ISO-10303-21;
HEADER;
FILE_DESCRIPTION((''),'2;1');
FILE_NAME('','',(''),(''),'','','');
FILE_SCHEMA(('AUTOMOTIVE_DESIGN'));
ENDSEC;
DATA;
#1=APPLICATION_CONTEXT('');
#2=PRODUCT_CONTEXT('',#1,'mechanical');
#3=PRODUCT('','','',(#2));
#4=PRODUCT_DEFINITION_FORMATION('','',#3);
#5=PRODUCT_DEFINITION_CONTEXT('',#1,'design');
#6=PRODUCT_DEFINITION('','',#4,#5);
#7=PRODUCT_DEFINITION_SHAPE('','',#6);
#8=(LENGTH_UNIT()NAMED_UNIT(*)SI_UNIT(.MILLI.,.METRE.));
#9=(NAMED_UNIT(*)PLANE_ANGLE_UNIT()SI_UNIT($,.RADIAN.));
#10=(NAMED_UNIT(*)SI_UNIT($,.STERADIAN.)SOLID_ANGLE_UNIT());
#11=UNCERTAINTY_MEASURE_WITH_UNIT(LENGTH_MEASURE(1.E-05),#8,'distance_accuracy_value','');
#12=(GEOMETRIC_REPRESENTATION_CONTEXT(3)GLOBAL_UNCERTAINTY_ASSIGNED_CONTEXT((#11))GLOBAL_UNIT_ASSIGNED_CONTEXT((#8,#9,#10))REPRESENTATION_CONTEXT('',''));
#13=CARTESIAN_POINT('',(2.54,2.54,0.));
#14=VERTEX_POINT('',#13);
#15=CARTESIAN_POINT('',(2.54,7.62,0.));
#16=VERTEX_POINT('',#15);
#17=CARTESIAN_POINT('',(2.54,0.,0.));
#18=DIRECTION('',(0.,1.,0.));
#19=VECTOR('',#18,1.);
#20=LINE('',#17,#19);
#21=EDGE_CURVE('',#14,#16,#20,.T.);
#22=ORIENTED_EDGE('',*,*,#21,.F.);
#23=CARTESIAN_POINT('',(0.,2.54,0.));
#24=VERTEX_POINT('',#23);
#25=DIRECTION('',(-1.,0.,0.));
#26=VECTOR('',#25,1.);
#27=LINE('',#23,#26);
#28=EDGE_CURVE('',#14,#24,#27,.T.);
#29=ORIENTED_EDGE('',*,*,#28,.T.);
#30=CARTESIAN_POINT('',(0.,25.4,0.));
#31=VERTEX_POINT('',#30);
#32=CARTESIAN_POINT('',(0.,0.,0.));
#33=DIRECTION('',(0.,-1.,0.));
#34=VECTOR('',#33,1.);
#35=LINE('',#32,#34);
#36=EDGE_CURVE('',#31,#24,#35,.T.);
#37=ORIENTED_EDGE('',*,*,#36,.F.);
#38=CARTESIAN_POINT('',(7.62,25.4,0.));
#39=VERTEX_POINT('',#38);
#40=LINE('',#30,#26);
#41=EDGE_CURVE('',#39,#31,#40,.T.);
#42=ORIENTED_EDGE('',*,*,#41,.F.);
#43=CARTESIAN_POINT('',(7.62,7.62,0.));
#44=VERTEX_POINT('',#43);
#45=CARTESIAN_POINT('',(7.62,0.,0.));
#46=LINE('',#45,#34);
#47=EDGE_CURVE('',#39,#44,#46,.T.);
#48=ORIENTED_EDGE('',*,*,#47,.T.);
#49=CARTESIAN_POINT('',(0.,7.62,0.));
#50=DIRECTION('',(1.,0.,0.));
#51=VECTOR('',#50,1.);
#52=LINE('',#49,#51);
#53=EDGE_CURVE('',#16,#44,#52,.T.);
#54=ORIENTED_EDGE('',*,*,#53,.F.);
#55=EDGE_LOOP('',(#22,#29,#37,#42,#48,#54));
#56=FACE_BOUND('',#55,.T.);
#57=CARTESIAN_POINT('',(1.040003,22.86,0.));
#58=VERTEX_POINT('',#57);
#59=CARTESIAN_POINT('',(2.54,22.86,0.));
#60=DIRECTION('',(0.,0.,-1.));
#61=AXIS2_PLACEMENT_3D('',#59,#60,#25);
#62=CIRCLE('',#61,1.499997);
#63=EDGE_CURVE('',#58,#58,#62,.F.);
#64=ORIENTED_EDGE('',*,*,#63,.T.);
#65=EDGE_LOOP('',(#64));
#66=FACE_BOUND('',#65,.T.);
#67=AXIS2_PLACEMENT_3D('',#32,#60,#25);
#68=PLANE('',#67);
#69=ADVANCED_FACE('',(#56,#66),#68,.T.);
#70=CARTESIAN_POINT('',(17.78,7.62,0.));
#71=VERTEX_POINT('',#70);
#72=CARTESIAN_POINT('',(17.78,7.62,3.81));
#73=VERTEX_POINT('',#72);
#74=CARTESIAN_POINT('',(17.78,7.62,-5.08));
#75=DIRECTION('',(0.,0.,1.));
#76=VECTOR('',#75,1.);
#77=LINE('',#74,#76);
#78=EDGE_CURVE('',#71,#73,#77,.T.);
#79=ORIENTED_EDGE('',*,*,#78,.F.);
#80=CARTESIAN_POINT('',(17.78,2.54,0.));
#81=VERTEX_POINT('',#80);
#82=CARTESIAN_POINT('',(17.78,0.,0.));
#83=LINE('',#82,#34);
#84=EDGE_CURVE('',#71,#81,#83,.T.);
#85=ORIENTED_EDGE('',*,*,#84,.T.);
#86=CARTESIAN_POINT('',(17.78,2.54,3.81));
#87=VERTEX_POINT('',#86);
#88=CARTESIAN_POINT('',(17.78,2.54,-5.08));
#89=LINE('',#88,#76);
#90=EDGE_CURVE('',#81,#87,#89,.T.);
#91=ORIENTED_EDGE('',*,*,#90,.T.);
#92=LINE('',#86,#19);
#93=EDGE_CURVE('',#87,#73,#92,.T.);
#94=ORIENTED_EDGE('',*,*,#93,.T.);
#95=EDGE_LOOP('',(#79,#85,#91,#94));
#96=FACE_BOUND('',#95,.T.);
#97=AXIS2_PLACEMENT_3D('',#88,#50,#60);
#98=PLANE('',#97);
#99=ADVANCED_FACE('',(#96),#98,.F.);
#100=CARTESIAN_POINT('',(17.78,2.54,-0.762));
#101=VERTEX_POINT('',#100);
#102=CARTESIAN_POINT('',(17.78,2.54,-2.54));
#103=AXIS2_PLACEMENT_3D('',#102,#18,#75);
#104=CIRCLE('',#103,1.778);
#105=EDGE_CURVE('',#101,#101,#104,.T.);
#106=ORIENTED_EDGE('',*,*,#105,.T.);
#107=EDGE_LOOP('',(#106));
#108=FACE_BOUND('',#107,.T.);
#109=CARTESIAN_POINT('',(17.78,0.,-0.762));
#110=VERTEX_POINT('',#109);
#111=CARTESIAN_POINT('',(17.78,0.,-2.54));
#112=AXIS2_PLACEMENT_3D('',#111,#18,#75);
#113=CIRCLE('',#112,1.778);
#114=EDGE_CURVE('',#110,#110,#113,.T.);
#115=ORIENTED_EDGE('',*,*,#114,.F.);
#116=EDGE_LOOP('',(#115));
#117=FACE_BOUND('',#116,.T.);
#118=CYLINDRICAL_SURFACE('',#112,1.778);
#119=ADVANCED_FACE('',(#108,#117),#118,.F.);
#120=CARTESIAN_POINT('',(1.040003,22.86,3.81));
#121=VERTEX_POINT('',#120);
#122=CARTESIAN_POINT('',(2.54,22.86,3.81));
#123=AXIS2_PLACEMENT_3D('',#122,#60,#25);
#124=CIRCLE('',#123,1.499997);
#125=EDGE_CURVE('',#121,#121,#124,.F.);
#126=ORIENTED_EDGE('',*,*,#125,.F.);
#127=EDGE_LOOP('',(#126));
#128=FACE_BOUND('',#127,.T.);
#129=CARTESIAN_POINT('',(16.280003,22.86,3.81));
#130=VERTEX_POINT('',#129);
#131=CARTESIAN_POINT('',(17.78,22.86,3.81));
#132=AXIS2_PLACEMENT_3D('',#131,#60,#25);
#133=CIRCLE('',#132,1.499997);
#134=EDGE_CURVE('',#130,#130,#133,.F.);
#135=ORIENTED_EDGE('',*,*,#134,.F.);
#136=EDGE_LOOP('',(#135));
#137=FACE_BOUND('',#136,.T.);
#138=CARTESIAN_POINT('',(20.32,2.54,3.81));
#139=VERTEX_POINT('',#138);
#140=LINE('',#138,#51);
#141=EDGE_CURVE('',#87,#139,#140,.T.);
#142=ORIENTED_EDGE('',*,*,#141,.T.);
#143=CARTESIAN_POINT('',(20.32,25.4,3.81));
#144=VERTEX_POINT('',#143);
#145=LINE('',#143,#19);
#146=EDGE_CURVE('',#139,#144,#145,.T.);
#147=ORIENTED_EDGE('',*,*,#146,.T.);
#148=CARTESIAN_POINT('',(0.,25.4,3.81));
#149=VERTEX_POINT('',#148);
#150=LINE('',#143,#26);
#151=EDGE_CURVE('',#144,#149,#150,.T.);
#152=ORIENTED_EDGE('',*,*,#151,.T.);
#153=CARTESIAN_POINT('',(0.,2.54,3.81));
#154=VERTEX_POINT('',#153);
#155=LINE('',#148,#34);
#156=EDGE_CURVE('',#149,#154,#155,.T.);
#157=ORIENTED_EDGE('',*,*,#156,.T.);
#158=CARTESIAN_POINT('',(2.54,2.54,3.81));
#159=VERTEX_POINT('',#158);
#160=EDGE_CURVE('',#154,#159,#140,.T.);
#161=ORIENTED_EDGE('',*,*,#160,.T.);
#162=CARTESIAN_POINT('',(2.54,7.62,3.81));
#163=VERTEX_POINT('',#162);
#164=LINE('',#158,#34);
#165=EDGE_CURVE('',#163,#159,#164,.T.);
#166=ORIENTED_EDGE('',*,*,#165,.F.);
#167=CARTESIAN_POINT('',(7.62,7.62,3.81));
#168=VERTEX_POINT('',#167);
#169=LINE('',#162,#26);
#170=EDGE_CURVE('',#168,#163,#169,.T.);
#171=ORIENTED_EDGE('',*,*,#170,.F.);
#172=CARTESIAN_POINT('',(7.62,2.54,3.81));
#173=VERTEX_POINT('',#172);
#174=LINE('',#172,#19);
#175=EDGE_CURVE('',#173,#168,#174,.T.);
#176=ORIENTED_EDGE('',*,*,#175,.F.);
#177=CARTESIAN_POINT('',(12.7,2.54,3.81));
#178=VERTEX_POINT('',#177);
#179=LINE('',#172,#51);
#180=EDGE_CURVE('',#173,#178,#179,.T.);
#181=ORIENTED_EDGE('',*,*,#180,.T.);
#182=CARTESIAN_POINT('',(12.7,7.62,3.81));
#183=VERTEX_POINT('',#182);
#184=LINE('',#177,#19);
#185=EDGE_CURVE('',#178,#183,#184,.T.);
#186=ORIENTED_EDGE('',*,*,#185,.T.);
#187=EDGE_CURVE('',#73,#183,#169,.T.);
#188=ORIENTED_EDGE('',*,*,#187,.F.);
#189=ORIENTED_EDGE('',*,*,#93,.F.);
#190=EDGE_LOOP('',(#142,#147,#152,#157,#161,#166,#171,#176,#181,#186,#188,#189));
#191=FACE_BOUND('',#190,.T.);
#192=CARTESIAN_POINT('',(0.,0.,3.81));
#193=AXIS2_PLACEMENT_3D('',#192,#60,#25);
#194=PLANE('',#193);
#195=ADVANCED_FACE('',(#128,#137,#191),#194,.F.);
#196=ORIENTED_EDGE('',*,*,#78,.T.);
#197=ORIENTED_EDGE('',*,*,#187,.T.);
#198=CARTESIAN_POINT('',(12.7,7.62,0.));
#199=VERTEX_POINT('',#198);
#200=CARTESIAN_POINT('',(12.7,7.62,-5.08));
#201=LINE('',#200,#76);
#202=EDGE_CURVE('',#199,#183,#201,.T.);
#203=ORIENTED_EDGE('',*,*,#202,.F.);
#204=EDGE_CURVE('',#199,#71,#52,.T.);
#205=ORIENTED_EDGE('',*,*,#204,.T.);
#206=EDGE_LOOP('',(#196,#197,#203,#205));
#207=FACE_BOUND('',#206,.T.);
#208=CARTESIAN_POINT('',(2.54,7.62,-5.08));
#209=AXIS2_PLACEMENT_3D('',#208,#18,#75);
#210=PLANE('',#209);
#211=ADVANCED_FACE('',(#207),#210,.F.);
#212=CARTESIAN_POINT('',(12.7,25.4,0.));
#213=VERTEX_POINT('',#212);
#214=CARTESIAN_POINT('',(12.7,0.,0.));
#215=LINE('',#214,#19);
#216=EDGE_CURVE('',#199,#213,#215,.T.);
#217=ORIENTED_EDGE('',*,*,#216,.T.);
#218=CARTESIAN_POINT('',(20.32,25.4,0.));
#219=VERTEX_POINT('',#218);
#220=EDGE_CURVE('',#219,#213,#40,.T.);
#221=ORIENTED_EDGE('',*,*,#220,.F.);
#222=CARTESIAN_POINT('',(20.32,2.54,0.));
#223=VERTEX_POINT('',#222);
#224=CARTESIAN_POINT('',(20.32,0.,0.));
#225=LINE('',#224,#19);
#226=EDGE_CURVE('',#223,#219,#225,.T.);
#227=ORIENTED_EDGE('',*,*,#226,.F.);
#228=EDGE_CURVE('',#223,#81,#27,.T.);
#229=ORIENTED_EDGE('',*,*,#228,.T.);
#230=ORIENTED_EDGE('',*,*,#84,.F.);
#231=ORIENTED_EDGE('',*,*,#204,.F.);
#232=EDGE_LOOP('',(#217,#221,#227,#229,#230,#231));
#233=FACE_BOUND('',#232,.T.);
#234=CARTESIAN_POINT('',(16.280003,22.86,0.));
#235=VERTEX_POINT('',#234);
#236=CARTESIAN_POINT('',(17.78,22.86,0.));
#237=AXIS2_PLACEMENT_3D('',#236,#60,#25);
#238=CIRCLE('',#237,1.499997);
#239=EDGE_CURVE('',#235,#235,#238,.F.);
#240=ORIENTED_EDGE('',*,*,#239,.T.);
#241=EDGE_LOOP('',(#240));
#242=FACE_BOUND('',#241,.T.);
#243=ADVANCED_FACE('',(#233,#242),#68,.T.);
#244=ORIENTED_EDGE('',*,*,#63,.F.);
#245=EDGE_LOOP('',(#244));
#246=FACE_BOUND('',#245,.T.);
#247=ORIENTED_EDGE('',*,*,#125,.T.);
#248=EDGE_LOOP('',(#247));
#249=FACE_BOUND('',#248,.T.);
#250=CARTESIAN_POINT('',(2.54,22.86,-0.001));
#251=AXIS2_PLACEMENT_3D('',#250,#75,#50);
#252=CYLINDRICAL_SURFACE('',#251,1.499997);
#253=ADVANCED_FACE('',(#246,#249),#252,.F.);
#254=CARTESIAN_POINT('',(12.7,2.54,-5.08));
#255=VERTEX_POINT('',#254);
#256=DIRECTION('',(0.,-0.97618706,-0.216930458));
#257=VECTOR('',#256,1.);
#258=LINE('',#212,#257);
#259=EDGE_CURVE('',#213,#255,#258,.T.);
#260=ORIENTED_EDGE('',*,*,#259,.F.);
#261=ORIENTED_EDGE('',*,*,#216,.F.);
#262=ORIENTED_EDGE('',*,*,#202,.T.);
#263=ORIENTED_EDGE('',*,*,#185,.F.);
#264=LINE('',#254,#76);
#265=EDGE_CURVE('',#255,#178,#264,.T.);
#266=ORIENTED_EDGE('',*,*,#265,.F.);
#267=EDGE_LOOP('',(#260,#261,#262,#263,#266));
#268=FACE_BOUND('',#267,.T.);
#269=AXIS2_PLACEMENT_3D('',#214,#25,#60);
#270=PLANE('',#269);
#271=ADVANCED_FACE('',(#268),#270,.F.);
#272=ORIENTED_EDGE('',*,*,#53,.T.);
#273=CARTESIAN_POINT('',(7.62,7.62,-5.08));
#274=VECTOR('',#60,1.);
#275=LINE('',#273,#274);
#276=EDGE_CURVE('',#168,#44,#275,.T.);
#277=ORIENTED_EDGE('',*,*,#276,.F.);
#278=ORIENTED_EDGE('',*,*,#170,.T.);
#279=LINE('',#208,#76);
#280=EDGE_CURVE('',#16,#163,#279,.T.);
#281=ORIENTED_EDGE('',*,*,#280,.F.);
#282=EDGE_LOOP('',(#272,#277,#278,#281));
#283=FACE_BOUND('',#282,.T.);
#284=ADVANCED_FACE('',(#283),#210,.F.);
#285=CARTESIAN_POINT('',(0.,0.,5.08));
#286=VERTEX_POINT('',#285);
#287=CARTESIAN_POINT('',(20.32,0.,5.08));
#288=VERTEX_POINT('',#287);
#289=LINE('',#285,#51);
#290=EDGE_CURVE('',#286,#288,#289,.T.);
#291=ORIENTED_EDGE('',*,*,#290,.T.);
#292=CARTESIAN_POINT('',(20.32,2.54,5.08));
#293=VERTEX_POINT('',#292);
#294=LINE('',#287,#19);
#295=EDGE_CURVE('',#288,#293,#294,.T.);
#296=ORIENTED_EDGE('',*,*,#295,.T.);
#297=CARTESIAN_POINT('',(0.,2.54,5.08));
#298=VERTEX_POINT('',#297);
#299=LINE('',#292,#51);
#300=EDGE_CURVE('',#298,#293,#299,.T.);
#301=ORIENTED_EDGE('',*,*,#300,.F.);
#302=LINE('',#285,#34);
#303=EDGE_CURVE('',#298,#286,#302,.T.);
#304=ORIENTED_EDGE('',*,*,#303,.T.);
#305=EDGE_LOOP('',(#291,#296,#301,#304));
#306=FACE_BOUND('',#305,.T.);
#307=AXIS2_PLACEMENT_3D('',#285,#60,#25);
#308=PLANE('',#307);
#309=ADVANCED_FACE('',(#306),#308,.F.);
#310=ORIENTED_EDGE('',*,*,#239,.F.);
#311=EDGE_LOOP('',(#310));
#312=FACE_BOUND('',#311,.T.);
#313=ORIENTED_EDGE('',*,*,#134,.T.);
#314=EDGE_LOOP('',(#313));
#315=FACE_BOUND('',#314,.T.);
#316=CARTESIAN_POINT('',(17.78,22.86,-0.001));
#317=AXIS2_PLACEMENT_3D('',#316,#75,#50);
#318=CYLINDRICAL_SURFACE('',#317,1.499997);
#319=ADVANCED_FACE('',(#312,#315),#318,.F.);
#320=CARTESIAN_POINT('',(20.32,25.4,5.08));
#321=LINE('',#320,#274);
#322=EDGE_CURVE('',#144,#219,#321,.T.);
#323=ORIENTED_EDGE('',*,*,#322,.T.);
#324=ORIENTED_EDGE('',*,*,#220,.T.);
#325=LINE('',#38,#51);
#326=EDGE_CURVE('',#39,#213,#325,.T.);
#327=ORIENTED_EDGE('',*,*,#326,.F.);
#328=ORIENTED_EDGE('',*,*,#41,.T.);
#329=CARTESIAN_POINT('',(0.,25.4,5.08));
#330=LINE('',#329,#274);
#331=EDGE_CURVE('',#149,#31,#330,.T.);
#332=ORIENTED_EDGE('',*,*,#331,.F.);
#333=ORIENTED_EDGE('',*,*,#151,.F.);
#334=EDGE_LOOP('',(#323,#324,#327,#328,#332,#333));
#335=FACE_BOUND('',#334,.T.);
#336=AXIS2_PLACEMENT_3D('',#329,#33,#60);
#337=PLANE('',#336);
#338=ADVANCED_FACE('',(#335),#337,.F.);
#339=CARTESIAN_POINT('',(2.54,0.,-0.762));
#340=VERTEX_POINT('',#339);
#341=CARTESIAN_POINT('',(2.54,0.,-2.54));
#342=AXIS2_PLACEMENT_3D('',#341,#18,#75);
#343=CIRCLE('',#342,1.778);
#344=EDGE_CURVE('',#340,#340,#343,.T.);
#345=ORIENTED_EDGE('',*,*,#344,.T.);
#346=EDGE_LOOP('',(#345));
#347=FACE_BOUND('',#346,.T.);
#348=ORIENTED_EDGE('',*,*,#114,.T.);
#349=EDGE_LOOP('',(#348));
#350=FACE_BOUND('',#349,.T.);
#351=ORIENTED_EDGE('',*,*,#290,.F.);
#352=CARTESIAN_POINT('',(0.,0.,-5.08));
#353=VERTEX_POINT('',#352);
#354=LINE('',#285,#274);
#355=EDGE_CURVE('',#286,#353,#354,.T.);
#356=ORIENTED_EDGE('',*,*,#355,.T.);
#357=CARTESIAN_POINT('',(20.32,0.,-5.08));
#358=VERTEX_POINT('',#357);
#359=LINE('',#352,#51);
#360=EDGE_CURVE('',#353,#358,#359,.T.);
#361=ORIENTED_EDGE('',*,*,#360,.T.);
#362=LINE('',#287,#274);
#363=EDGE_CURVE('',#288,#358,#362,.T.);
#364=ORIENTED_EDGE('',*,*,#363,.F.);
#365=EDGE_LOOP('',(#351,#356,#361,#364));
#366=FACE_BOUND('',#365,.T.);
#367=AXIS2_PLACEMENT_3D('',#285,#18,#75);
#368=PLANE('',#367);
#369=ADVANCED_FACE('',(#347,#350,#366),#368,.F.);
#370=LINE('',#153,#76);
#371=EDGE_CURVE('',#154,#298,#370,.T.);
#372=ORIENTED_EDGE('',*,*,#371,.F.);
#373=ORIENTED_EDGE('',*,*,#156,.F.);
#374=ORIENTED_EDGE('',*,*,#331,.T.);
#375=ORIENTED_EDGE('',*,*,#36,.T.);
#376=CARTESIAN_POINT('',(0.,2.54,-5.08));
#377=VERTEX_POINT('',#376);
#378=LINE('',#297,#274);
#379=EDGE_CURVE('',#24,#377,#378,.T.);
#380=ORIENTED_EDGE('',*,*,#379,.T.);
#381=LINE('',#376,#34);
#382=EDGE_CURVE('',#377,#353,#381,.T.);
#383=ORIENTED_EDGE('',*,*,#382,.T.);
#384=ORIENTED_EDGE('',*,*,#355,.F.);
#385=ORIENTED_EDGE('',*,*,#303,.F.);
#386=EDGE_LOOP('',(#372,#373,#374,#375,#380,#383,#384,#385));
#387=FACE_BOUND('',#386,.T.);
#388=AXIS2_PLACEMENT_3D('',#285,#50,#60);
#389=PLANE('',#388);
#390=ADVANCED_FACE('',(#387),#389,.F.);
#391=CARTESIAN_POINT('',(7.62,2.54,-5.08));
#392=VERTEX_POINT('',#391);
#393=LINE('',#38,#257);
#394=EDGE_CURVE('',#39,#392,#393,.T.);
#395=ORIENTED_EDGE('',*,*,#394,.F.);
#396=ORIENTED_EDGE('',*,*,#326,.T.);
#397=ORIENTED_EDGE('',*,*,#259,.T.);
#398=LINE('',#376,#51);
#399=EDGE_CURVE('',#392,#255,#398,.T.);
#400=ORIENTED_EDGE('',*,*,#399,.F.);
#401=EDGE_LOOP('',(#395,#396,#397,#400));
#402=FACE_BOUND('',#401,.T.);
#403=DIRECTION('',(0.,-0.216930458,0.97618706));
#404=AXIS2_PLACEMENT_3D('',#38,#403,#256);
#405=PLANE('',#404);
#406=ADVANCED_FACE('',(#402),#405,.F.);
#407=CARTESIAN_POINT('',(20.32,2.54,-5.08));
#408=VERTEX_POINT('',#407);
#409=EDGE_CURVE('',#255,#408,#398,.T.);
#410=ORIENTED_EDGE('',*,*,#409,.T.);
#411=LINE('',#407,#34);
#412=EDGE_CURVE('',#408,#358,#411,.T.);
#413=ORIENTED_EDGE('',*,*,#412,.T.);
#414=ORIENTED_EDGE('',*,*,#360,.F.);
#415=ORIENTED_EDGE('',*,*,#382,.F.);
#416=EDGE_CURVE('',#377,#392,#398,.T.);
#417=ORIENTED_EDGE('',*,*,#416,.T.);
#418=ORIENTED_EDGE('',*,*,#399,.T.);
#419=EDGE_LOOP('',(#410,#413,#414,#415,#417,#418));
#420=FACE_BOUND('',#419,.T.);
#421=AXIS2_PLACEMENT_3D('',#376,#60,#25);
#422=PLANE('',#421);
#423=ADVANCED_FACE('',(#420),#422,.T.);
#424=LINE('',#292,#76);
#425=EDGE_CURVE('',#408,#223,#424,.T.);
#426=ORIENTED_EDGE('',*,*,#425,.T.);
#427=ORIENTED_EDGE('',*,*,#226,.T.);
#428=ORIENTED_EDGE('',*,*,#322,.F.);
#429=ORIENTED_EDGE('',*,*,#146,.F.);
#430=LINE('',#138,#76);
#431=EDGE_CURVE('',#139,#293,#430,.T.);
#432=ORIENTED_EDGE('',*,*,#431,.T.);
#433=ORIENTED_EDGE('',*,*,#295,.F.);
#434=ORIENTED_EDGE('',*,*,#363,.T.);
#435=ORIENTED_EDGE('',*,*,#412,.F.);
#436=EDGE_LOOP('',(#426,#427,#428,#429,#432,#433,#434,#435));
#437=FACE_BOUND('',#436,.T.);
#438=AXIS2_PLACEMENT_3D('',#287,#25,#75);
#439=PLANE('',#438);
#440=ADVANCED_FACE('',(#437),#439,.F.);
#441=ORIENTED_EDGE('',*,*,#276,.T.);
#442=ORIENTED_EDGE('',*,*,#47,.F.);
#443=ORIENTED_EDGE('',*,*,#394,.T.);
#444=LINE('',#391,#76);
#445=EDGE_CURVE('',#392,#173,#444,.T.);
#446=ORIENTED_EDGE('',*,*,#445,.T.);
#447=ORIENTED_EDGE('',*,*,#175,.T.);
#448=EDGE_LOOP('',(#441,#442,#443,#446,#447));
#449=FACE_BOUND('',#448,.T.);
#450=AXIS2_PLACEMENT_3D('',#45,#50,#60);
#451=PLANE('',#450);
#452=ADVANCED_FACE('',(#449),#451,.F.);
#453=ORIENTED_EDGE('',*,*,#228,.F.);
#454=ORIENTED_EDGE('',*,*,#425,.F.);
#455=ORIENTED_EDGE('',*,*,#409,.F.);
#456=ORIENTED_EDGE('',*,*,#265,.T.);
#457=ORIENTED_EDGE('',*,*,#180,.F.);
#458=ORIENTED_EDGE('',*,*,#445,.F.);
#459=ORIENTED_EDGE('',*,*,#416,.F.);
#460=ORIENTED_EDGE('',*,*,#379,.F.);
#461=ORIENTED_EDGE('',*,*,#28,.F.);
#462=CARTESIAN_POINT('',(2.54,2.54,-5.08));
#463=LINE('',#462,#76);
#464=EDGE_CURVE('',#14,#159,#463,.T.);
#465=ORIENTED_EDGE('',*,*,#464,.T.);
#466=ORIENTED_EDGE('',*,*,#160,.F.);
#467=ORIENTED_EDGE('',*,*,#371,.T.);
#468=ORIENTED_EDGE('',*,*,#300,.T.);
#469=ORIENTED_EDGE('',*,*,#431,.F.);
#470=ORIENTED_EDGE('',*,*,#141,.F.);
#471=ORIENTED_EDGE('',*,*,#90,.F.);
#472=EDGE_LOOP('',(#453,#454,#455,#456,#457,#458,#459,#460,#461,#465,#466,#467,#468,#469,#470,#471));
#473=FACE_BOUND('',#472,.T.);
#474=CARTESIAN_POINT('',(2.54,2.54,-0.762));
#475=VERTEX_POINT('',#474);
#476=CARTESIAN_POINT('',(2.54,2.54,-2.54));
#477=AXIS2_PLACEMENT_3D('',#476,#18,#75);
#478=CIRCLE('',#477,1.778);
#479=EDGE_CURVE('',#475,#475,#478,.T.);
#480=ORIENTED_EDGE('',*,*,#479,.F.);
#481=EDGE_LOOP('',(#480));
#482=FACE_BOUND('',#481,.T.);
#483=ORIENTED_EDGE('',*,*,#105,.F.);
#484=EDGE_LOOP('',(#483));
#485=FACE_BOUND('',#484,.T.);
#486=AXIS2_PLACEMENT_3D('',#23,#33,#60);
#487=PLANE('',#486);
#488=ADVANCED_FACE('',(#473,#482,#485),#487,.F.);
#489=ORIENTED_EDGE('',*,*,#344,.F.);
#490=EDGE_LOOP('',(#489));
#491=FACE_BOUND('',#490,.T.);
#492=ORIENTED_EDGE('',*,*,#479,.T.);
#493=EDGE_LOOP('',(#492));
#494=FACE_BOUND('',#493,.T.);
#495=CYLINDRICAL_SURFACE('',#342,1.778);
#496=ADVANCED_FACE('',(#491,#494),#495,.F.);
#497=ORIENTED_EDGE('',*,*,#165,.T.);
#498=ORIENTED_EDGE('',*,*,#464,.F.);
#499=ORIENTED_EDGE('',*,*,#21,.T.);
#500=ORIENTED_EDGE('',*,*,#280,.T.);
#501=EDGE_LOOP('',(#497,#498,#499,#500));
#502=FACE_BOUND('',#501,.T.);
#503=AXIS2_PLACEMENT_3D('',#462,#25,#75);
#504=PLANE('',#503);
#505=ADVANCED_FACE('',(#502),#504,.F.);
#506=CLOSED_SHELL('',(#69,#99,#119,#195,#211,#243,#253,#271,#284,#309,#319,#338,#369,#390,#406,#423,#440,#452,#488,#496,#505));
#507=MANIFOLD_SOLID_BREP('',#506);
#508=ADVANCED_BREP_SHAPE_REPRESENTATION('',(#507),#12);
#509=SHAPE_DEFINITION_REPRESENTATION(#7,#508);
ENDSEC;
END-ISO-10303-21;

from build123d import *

# Parameters (mm, degrees)
SKETCH1_W               = 20.32
SKETCH1_H               = 25.4
BOSS_EXTRUDE1_DEPTH     = 5.08
ELECTRONICS_HOLES_REACH = 7.08
SKETCH2_R               = 1.499997
SKETCH3_W               = 20.32
SKETCH3_H               = 10.16
BOSS_EXTRUDE2_DEPTH     = 2.54
SKETCH4_W               = 20.32
SKETCH4_H               = 22.86
CUT_EXTRUDE2_DEPTH      = 1.27
SKETCH5_R               = 1.778
PLACEMENT_HOLES_DEPTH   = 2.54
SKETCH6_W               = 15.24
SKETCH6_H               = 5.08
CUT_EXTRUDE4_DEPTH      = 9.89
BOSS_EXTRUDE3_DEPTH     = 2.54


with BuildPart() as part:
    # Sketch1 → Boss-Extrude1 (new body)
    with BuildSketch(Plane.XY):
        with Locations((10.16, 12.7)):
            Rectangle(SKETCH1_W, SKETCH1_H)
    extrude(amount=BOSS_EXTRUDE1_DEPTH)

    # Sketch2 → Electronics Holes (cut, up to next)
    with BuildSketch(Plane.XY.offset(5.08), mode=Mode.PRIVATE) as electronics_holes_sk1:
        with Locations((2.54, 22.86)):
            Circle(SKETCH2_R)
    electronics_holes_tool1 = extrude(electronics_holes_sk1.sketch, amount=-ELECTRONICS_HOLES_REACH, mode=Mode.PRIVATE) & part.part
    add(electronics_holes_tool1.solids().sort_by_distance((2.54, 22.86, 5.08))[0], mode=Mode.SUBTRACT)
    # Sketch2 → Electronics Holes (cut, up to next)
    with BuildSketch(Plane.XY.offset(5.08), mode=Mode.PRIVATE) as electronics_holes_sk2:
        with Locations((17.78, 22.86)):
            Circle(SKETCH2_R)
    electronics_holes_tool2 = extrude(electronics_holes_sk2.sketch, amount=-ELECTRONICS_HOLES_REACH, mode=Mode.PRIVATE) & part.part
    add(electronics_holes_tool2.solids().sort_by_distance((17.78, 22.86, 5.08))[0], mode=Mode.SUBTRACT)

    # Sketch3 → Boss-Extrude2 (add)
    with BuildSketch(Plane.XZ):
        with Locations((10.16, 0)):
            Rectangle(SKETCH3_W, SKETCH3_H)
    extrude(amount=-BOSS_EXTRUDE2_DEPTH)

    # Sketch4 → Cut-Extrude2 (cut)
    with BuildSketch(Plane.XY.offset(5.08)):
        with Locations((10.16, 13.97)):
            Rectangle(SKETCH4_W, SKETCH4_H)
    extrude(amount=-CUT_EXTRUDE2_DEPTH, mode=Mode.SUBTRACT)

    # Sketch5 → Placement Holes (cut)
    with BuildSketch(Plane(origin=(0, 2.54, 0), x_dir=(1, 0, 0), z_dir=(0, 1, 0))):
        with Locations((17.78, 2.54)):
            Circle(SKETCH5_R)
        with Locations((2.54, 2.54)):
            Circle(SKETCH5_R)
    extrude(amount=-PLACEMENT_HOLES_DEPTH, mode=Mode.SUBTRACT)

    # Sketch6 → Cut-Extrude4 (cut, through all)
    with BuildSketch(Plane.XY.offset(3.81)):
        with Locations((10.16, 5.08)):
            Rectangle(SKETCH6_W, SKETCH6_H)
    extrude(amount=-CUT_EXTRUDE4_DEPTH, mode=Mode.SUBTRACT)

    # Sketch7 → Boss-Extrude3 (add)
    with BuildSketch(Plane.ZY.offset(-10.16)):
        Polygon((0, 25.4), (-5.08, 2.54), (3.81, 2.54), (3.81, 25.4), align=None)
    boss_extrude3 = extrude(amount=BOSS_EXTRUDE3_DEPTH)

    # Mirror1: Boss-Extrude3 across plane
    add(boss_extrude3.mirror(Plane.ZY.offset(-10.16)))


solid = part.part
